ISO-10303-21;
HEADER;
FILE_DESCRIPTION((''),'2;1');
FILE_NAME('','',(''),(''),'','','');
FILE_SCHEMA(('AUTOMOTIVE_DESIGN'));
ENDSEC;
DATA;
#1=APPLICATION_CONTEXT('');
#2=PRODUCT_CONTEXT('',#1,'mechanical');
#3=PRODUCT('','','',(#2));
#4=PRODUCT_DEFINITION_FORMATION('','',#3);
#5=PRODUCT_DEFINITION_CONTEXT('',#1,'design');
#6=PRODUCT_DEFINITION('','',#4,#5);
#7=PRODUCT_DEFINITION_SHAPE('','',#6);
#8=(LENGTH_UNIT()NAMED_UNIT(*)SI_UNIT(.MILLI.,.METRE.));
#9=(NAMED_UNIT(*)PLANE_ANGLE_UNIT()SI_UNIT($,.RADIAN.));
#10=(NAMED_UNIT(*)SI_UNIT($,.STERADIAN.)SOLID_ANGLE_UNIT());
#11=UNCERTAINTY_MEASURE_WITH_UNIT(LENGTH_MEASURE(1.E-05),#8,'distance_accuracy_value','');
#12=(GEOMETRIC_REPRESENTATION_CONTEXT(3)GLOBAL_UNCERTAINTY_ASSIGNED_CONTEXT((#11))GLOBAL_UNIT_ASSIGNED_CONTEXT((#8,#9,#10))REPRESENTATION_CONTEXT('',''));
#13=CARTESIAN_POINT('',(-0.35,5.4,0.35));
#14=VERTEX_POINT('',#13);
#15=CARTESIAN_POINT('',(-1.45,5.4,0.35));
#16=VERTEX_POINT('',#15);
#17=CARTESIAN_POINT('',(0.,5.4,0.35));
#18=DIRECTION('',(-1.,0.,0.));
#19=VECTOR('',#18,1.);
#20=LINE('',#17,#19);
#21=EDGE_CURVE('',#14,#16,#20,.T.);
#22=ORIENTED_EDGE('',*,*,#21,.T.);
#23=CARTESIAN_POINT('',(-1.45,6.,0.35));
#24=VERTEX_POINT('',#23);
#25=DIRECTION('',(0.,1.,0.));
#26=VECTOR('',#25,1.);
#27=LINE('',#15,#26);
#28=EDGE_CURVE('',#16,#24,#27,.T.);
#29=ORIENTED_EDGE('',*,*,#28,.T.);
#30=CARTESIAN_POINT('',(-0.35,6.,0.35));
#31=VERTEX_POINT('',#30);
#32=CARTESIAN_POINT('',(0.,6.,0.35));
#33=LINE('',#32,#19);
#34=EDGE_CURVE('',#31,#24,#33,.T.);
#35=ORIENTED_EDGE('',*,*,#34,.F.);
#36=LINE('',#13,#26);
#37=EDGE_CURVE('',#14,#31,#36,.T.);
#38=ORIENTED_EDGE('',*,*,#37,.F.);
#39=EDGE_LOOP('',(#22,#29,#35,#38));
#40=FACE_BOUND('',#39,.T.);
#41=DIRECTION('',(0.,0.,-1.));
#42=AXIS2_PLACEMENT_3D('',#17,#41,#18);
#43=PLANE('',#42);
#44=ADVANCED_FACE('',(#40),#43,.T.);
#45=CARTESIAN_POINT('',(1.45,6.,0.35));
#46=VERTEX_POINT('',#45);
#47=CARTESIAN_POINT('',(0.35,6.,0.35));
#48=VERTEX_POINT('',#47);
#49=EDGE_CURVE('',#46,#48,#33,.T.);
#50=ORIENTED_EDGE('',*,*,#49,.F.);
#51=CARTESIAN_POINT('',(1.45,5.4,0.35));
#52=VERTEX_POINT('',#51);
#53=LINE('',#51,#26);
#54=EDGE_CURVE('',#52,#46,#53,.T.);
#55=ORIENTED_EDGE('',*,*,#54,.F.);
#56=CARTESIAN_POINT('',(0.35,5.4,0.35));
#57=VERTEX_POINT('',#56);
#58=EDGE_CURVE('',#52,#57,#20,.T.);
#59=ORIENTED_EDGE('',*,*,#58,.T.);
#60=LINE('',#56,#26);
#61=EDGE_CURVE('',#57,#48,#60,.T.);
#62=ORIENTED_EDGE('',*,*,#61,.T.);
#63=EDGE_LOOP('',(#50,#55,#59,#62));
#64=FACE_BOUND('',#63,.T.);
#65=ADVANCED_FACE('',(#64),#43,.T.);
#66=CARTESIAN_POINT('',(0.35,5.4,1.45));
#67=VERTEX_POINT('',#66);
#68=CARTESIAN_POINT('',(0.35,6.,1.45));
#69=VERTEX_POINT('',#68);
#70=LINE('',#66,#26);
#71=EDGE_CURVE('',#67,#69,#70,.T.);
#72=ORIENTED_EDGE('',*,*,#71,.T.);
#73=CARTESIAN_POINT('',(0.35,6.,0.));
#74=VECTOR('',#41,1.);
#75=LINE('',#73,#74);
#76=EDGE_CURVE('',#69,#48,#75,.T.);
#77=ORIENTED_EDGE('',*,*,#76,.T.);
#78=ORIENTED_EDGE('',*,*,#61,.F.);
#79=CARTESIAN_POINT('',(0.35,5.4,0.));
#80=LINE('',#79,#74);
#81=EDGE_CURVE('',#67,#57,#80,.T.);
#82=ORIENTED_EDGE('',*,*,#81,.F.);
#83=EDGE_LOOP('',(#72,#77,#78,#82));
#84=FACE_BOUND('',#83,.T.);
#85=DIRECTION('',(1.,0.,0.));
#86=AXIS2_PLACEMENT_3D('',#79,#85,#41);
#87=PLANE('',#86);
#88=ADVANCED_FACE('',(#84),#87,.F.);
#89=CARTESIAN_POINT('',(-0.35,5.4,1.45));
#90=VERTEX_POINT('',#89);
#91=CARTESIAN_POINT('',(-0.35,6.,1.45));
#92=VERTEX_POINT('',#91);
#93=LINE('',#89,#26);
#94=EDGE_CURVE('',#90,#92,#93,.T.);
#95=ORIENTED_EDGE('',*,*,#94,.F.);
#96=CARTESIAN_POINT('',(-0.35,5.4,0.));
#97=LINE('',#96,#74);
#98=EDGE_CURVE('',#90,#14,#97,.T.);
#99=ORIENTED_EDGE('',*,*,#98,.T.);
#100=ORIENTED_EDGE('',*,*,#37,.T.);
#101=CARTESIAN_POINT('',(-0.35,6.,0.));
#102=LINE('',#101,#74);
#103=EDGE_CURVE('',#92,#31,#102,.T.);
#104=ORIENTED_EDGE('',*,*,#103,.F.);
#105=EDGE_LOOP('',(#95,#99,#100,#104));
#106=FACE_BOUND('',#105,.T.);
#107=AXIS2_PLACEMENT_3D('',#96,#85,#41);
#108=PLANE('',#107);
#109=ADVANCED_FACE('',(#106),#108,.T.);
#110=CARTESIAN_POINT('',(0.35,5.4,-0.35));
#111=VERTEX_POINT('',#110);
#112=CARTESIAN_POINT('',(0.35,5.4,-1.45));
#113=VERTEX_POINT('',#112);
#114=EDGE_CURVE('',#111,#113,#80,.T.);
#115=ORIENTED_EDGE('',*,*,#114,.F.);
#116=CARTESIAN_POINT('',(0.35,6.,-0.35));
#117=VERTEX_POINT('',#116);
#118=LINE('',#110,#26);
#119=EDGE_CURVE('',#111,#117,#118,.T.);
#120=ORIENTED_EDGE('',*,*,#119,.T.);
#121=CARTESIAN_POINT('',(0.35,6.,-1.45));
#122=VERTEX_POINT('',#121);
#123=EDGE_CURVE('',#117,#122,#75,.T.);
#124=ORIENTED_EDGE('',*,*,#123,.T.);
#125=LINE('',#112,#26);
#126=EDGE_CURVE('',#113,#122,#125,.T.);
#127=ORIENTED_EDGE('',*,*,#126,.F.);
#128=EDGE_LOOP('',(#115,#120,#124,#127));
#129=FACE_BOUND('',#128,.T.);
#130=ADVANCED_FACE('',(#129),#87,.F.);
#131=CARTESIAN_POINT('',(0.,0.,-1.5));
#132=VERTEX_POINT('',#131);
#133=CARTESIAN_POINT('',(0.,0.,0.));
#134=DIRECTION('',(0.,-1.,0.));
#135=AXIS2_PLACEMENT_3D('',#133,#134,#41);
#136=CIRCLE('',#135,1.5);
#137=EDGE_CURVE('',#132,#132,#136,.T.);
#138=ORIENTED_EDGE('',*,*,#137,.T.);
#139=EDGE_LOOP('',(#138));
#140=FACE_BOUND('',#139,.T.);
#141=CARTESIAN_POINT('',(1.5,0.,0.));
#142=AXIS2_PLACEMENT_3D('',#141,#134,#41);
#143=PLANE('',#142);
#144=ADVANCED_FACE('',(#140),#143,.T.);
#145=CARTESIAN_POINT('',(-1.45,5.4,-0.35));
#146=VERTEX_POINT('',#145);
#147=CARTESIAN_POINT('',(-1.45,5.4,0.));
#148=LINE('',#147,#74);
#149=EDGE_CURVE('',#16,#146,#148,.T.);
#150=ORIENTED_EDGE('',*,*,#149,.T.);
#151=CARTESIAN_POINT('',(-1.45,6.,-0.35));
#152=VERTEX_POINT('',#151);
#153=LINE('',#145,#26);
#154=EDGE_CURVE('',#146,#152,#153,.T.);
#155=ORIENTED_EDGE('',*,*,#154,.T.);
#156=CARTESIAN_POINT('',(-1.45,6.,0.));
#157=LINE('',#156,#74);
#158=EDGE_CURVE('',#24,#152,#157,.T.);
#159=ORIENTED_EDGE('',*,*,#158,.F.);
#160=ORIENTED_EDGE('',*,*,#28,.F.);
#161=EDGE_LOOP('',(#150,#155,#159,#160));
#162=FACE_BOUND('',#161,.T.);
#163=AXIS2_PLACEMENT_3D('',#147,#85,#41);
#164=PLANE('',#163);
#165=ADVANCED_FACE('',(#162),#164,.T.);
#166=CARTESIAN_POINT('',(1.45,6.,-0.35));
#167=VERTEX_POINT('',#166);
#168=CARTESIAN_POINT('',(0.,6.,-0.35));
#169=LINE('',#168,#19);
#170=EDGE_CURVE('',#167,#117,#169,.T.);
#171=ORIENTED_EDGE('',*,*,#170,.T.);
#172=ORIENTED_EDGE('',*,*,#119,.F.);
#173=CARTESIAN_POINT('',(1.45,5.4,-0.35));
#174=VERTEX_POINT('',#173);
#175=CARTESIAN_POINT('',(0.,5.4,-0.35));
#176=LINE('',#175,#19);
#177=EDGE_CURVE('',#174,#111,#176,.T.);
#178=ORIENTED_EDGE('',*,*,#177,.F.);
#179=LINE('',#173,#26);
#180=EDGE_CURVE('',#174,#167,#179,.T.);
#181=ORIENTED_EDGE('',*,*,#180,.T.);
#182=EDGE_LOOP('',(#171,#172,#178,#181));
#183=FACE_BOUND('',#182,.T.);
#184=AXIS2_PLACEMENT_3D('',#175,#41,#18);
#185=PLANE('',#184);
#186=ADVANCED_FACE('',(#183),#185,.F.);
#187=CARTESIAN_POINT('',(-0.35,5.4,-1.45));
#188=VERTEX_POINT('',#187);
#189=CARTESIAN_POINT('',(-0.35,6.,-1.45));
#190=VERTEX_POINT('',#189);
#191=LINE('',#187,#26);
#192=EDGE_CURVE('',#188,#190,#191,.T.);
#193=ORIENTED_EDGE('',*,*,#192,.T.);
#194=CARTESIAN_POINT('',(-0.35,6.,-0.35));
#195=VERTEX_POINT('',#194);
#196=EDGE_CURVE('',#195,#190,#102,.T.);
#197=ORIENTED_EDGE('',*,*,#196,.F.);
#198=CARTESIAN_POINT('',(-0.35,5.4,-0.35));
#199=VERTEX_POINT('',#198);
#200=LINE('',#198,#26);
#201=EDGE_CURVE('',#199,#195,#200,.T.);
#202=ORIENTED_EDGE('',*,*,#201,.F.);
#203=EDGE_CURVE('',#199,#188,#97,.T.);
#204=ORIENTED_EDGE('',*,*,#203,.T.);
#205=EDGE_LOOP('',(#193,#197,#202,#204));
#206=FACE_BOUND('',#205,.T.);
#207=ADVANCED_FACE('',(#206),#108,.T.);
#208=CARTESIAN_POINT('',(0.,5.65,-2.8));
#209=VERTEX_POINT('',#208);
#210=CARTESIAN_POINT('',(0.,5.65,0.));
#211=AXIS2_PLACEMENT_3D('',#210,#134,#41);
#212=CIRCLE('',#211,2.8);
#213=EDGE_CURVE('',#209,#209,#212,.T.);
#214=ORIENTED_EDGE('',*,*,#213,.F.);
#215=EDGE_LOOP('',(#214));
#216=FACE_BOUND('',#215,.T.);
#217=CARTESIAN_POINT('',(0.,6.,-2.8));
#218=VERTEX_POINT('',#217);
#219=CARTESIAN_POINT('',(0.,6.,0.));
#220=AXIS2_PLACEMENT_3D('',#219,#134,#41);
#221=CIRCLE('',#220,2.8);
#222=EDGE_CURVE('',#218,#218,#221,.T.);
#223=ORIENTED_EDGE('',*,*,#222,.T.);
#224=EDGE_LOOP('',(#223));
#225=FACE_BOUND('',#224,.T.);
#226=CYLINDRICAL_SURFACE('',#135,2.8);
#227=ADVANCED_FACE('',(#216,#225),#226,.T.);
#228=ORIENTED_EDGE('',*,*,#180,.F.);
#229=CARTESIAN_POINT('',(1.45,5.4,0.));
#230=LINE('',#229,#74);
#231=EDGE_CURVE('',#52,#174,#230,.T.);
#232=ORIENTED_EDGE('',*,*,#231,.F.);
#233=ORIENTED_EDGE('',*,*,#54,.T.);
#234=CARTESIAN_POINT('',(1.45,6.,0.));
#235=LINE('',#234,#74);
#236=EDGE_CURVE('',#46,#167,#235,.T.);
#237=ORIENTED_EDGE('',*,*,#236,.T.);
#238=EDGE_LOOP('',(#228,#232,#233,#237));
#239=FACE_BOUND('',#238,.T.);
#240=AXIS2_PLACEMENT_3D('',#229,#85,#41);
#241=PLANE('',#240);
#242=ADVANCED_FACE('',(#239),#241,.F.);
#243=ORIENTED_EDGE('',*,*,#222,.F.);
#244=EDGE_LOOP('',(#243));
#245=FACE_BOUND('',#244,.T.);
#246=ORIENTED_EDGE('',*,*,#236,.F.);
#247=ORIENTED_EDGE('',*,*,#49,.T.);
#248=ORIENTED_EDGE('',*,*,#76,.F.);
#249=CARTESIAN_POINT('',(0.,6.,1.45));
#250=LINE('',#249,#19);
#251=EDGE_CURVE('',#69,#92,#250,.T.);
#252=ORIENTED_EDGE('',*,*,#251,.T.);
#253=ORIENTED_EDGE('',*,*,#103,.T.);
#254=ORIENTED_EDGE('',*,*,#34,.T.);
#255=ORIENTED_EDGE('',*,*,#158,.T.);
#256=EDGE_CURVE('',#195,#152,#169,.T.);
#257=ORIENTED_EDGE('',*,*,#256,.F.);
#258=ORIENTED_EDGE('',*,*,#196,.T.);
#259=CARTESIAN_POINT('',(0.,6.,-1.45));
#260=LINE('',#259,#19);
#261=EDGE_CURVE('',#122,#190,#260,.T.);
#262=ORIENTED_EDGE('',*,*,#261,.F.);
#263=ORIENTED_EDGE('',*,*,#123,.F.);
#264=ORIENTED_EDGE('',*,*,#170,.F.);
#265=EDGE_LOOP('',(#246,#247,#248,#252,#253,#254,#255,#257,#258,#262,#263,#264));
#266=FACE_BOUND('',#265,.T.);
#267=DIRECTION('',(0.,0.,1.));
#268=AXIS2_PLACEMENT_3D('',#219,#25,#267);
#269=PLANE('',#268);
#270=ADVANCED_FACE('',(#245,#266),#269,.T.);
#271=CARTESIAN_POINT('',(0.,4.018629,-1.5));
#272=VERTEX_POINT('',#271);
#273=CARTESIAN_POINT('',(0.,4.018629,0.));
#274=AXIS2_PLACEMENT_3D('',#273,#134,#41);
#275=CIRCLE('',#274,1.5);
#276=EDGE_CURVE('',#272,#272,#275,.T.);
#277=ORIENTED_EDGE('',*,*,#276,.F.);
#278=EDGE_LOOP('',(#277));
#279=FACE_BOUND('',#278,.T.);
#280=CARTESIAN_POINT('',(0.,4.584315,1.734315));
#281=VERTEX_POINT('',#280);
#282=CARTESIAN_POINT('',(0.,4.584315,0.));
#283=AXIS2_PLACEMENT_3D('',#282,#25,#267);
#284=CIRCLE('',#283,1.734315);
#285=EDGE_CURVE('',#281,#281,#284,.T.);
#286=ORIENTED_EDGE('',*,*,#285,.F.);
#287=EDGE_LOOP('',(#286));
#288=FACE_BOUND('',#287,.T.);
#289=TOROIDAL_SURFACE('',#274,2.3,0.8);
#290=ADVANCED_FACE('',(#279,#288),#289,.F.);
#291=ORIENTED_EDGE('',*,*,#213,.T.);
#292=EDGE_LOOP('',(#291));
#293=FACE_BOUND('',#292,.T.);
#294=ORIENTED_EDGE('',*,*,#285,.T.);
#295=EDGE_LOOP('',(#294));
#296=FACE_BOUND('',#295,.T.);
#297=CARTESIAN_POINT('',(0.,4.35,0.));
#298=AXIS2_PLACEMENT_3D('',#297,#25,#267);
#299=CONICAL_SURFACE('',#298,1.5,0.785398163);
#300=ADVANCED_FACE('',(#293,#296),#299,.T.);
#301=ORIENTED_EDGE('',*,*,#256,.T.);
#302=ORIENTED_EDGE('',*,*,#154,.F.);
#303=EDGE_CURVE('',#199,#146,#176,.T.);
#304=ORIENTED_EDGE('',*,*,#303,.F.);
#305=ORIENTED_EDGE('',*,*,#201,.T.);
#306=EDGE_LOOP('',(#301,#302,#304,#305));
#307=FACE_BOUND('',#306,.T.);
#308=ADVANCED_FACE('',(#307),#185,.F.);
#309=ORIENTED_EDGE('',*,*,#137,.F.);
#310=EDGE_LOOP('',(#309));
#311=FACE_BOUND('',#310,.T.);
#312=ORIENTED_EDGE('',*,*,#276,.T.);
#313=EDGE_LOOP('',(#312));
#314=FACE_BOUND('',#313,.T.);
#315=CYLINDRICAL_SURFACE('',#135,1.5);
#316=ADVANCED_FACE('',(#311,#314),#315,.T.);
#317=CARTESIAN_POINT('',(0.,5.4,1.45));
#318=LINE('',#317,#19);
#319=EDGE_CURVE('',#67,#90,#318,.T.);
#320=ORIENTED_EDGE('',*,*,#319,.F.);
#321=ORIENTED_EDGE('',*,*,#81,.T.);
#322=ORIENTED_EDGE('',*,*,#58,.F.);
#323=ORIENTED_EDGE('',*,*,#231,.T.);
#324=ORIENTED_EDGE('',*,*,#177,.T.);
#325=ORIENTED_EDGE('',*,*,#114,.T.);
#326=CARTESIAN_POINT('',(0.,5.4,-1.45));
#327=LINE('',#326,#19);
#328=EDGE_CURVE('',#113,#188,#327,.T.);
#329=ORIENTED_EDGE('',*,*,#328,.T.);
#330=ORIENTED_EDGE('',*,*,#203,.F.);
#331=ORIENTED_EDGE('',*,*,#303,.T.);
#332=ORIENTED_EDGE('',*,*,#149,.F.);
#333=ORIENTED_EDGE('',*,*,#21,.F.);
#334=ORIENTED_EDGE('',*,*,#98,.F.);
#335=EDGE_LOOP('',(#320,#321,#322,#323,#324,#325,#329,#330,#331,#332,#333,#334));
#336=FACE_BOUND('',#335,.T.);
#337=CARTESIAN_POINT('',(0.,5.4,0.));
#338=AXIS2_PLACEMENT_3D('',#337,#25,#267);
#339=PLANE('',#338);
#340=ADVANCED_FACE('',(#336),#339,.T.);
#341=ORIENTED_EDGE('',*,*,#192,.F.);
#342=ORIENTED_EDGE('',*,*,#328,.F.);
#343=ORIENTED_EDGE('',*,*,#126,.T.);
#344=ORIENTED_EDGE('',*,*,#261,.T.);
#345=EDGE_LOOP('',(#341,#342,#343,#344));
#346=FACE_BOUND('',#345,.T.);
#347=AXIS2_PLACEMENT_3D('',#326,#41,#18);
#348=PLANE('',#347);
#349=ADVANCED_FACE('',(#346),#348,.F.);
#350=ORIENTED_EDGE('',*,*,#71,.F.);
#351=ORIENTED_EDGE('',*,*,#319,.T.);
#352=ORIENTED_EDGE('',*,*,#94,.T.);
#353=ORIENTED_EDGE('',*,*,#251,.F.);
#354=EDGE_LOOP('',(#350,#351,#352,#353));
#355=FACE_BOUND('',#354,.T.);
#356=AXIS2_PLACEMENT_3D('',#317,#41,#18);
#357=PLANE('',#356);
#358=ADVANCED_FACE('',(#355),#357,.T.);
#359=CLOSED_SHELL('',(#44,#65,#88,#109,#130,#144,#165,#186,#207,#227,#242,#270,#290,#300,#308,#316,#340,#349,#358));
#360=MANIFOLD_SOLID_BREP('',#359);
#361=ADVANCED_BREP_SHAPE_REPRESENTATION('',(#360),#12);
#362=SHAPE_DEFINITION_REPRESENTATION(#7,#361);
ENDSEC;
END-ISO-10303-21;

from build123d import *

# Parameters (mm, degrees)
FILLET1_R          = 0.8
SKETCH2_W          = 1.1
SKETCH2_H          = 0.7
SKETCH2_W_2        = 0.7
SKETCH2_H_2        = 1.1
CUT_EXTRUDE1_DEPTH = 0.6


with BuildPart() as part:
    # Sketch1 → Revolve1 (revolve)
    with BuildSketch(Plane.XY):
        Polygon((0, 0), (0, 6), (2.8, 6), (2.8, 5.65), (1.5, 4.35), (1.5, 0), align=None)
    revolve(axis=Axis((0, 0, 0), (0, 1, 0)))

    # Fillet1
    fillet1_edges = [part.edges().sort_by_distance(p)[0] for p in [
        (-1.5, 4.35, 0),
    ]]
    fillet(fillet1_edges, radius=FILLET1_R)

    # Sketch2 → Cut-Extrude1 (cut)
    with BuildSketch(Plane(origin=(0, 6, 0), x_dir=(1, 0, 0), z_dir=(0, 1, 0))):
        with Locations((-0.9, 0)):
            Rectangle(SKETCH2_W, SKETCH2_H)
        with Locations((0, 0.9)):
            Rectangle(SKETCH2_W_2, SKETCH2_H_2)
        Rectangle(SKETCH2_W_2, SKETCH2_H)
        with Locations((0.9, 0)):
            Rectangle(SKETCH2_W, SKETCH2_H)
        with Locations((0, -0.9)):
            Rectangle(SKETCH2_W_2, SKETCH2_H_2)
    extrude(amount=-CUT_EXTRUDE1_DEPTH, mode=Mode.SUBTRACT)


solid = part.part
